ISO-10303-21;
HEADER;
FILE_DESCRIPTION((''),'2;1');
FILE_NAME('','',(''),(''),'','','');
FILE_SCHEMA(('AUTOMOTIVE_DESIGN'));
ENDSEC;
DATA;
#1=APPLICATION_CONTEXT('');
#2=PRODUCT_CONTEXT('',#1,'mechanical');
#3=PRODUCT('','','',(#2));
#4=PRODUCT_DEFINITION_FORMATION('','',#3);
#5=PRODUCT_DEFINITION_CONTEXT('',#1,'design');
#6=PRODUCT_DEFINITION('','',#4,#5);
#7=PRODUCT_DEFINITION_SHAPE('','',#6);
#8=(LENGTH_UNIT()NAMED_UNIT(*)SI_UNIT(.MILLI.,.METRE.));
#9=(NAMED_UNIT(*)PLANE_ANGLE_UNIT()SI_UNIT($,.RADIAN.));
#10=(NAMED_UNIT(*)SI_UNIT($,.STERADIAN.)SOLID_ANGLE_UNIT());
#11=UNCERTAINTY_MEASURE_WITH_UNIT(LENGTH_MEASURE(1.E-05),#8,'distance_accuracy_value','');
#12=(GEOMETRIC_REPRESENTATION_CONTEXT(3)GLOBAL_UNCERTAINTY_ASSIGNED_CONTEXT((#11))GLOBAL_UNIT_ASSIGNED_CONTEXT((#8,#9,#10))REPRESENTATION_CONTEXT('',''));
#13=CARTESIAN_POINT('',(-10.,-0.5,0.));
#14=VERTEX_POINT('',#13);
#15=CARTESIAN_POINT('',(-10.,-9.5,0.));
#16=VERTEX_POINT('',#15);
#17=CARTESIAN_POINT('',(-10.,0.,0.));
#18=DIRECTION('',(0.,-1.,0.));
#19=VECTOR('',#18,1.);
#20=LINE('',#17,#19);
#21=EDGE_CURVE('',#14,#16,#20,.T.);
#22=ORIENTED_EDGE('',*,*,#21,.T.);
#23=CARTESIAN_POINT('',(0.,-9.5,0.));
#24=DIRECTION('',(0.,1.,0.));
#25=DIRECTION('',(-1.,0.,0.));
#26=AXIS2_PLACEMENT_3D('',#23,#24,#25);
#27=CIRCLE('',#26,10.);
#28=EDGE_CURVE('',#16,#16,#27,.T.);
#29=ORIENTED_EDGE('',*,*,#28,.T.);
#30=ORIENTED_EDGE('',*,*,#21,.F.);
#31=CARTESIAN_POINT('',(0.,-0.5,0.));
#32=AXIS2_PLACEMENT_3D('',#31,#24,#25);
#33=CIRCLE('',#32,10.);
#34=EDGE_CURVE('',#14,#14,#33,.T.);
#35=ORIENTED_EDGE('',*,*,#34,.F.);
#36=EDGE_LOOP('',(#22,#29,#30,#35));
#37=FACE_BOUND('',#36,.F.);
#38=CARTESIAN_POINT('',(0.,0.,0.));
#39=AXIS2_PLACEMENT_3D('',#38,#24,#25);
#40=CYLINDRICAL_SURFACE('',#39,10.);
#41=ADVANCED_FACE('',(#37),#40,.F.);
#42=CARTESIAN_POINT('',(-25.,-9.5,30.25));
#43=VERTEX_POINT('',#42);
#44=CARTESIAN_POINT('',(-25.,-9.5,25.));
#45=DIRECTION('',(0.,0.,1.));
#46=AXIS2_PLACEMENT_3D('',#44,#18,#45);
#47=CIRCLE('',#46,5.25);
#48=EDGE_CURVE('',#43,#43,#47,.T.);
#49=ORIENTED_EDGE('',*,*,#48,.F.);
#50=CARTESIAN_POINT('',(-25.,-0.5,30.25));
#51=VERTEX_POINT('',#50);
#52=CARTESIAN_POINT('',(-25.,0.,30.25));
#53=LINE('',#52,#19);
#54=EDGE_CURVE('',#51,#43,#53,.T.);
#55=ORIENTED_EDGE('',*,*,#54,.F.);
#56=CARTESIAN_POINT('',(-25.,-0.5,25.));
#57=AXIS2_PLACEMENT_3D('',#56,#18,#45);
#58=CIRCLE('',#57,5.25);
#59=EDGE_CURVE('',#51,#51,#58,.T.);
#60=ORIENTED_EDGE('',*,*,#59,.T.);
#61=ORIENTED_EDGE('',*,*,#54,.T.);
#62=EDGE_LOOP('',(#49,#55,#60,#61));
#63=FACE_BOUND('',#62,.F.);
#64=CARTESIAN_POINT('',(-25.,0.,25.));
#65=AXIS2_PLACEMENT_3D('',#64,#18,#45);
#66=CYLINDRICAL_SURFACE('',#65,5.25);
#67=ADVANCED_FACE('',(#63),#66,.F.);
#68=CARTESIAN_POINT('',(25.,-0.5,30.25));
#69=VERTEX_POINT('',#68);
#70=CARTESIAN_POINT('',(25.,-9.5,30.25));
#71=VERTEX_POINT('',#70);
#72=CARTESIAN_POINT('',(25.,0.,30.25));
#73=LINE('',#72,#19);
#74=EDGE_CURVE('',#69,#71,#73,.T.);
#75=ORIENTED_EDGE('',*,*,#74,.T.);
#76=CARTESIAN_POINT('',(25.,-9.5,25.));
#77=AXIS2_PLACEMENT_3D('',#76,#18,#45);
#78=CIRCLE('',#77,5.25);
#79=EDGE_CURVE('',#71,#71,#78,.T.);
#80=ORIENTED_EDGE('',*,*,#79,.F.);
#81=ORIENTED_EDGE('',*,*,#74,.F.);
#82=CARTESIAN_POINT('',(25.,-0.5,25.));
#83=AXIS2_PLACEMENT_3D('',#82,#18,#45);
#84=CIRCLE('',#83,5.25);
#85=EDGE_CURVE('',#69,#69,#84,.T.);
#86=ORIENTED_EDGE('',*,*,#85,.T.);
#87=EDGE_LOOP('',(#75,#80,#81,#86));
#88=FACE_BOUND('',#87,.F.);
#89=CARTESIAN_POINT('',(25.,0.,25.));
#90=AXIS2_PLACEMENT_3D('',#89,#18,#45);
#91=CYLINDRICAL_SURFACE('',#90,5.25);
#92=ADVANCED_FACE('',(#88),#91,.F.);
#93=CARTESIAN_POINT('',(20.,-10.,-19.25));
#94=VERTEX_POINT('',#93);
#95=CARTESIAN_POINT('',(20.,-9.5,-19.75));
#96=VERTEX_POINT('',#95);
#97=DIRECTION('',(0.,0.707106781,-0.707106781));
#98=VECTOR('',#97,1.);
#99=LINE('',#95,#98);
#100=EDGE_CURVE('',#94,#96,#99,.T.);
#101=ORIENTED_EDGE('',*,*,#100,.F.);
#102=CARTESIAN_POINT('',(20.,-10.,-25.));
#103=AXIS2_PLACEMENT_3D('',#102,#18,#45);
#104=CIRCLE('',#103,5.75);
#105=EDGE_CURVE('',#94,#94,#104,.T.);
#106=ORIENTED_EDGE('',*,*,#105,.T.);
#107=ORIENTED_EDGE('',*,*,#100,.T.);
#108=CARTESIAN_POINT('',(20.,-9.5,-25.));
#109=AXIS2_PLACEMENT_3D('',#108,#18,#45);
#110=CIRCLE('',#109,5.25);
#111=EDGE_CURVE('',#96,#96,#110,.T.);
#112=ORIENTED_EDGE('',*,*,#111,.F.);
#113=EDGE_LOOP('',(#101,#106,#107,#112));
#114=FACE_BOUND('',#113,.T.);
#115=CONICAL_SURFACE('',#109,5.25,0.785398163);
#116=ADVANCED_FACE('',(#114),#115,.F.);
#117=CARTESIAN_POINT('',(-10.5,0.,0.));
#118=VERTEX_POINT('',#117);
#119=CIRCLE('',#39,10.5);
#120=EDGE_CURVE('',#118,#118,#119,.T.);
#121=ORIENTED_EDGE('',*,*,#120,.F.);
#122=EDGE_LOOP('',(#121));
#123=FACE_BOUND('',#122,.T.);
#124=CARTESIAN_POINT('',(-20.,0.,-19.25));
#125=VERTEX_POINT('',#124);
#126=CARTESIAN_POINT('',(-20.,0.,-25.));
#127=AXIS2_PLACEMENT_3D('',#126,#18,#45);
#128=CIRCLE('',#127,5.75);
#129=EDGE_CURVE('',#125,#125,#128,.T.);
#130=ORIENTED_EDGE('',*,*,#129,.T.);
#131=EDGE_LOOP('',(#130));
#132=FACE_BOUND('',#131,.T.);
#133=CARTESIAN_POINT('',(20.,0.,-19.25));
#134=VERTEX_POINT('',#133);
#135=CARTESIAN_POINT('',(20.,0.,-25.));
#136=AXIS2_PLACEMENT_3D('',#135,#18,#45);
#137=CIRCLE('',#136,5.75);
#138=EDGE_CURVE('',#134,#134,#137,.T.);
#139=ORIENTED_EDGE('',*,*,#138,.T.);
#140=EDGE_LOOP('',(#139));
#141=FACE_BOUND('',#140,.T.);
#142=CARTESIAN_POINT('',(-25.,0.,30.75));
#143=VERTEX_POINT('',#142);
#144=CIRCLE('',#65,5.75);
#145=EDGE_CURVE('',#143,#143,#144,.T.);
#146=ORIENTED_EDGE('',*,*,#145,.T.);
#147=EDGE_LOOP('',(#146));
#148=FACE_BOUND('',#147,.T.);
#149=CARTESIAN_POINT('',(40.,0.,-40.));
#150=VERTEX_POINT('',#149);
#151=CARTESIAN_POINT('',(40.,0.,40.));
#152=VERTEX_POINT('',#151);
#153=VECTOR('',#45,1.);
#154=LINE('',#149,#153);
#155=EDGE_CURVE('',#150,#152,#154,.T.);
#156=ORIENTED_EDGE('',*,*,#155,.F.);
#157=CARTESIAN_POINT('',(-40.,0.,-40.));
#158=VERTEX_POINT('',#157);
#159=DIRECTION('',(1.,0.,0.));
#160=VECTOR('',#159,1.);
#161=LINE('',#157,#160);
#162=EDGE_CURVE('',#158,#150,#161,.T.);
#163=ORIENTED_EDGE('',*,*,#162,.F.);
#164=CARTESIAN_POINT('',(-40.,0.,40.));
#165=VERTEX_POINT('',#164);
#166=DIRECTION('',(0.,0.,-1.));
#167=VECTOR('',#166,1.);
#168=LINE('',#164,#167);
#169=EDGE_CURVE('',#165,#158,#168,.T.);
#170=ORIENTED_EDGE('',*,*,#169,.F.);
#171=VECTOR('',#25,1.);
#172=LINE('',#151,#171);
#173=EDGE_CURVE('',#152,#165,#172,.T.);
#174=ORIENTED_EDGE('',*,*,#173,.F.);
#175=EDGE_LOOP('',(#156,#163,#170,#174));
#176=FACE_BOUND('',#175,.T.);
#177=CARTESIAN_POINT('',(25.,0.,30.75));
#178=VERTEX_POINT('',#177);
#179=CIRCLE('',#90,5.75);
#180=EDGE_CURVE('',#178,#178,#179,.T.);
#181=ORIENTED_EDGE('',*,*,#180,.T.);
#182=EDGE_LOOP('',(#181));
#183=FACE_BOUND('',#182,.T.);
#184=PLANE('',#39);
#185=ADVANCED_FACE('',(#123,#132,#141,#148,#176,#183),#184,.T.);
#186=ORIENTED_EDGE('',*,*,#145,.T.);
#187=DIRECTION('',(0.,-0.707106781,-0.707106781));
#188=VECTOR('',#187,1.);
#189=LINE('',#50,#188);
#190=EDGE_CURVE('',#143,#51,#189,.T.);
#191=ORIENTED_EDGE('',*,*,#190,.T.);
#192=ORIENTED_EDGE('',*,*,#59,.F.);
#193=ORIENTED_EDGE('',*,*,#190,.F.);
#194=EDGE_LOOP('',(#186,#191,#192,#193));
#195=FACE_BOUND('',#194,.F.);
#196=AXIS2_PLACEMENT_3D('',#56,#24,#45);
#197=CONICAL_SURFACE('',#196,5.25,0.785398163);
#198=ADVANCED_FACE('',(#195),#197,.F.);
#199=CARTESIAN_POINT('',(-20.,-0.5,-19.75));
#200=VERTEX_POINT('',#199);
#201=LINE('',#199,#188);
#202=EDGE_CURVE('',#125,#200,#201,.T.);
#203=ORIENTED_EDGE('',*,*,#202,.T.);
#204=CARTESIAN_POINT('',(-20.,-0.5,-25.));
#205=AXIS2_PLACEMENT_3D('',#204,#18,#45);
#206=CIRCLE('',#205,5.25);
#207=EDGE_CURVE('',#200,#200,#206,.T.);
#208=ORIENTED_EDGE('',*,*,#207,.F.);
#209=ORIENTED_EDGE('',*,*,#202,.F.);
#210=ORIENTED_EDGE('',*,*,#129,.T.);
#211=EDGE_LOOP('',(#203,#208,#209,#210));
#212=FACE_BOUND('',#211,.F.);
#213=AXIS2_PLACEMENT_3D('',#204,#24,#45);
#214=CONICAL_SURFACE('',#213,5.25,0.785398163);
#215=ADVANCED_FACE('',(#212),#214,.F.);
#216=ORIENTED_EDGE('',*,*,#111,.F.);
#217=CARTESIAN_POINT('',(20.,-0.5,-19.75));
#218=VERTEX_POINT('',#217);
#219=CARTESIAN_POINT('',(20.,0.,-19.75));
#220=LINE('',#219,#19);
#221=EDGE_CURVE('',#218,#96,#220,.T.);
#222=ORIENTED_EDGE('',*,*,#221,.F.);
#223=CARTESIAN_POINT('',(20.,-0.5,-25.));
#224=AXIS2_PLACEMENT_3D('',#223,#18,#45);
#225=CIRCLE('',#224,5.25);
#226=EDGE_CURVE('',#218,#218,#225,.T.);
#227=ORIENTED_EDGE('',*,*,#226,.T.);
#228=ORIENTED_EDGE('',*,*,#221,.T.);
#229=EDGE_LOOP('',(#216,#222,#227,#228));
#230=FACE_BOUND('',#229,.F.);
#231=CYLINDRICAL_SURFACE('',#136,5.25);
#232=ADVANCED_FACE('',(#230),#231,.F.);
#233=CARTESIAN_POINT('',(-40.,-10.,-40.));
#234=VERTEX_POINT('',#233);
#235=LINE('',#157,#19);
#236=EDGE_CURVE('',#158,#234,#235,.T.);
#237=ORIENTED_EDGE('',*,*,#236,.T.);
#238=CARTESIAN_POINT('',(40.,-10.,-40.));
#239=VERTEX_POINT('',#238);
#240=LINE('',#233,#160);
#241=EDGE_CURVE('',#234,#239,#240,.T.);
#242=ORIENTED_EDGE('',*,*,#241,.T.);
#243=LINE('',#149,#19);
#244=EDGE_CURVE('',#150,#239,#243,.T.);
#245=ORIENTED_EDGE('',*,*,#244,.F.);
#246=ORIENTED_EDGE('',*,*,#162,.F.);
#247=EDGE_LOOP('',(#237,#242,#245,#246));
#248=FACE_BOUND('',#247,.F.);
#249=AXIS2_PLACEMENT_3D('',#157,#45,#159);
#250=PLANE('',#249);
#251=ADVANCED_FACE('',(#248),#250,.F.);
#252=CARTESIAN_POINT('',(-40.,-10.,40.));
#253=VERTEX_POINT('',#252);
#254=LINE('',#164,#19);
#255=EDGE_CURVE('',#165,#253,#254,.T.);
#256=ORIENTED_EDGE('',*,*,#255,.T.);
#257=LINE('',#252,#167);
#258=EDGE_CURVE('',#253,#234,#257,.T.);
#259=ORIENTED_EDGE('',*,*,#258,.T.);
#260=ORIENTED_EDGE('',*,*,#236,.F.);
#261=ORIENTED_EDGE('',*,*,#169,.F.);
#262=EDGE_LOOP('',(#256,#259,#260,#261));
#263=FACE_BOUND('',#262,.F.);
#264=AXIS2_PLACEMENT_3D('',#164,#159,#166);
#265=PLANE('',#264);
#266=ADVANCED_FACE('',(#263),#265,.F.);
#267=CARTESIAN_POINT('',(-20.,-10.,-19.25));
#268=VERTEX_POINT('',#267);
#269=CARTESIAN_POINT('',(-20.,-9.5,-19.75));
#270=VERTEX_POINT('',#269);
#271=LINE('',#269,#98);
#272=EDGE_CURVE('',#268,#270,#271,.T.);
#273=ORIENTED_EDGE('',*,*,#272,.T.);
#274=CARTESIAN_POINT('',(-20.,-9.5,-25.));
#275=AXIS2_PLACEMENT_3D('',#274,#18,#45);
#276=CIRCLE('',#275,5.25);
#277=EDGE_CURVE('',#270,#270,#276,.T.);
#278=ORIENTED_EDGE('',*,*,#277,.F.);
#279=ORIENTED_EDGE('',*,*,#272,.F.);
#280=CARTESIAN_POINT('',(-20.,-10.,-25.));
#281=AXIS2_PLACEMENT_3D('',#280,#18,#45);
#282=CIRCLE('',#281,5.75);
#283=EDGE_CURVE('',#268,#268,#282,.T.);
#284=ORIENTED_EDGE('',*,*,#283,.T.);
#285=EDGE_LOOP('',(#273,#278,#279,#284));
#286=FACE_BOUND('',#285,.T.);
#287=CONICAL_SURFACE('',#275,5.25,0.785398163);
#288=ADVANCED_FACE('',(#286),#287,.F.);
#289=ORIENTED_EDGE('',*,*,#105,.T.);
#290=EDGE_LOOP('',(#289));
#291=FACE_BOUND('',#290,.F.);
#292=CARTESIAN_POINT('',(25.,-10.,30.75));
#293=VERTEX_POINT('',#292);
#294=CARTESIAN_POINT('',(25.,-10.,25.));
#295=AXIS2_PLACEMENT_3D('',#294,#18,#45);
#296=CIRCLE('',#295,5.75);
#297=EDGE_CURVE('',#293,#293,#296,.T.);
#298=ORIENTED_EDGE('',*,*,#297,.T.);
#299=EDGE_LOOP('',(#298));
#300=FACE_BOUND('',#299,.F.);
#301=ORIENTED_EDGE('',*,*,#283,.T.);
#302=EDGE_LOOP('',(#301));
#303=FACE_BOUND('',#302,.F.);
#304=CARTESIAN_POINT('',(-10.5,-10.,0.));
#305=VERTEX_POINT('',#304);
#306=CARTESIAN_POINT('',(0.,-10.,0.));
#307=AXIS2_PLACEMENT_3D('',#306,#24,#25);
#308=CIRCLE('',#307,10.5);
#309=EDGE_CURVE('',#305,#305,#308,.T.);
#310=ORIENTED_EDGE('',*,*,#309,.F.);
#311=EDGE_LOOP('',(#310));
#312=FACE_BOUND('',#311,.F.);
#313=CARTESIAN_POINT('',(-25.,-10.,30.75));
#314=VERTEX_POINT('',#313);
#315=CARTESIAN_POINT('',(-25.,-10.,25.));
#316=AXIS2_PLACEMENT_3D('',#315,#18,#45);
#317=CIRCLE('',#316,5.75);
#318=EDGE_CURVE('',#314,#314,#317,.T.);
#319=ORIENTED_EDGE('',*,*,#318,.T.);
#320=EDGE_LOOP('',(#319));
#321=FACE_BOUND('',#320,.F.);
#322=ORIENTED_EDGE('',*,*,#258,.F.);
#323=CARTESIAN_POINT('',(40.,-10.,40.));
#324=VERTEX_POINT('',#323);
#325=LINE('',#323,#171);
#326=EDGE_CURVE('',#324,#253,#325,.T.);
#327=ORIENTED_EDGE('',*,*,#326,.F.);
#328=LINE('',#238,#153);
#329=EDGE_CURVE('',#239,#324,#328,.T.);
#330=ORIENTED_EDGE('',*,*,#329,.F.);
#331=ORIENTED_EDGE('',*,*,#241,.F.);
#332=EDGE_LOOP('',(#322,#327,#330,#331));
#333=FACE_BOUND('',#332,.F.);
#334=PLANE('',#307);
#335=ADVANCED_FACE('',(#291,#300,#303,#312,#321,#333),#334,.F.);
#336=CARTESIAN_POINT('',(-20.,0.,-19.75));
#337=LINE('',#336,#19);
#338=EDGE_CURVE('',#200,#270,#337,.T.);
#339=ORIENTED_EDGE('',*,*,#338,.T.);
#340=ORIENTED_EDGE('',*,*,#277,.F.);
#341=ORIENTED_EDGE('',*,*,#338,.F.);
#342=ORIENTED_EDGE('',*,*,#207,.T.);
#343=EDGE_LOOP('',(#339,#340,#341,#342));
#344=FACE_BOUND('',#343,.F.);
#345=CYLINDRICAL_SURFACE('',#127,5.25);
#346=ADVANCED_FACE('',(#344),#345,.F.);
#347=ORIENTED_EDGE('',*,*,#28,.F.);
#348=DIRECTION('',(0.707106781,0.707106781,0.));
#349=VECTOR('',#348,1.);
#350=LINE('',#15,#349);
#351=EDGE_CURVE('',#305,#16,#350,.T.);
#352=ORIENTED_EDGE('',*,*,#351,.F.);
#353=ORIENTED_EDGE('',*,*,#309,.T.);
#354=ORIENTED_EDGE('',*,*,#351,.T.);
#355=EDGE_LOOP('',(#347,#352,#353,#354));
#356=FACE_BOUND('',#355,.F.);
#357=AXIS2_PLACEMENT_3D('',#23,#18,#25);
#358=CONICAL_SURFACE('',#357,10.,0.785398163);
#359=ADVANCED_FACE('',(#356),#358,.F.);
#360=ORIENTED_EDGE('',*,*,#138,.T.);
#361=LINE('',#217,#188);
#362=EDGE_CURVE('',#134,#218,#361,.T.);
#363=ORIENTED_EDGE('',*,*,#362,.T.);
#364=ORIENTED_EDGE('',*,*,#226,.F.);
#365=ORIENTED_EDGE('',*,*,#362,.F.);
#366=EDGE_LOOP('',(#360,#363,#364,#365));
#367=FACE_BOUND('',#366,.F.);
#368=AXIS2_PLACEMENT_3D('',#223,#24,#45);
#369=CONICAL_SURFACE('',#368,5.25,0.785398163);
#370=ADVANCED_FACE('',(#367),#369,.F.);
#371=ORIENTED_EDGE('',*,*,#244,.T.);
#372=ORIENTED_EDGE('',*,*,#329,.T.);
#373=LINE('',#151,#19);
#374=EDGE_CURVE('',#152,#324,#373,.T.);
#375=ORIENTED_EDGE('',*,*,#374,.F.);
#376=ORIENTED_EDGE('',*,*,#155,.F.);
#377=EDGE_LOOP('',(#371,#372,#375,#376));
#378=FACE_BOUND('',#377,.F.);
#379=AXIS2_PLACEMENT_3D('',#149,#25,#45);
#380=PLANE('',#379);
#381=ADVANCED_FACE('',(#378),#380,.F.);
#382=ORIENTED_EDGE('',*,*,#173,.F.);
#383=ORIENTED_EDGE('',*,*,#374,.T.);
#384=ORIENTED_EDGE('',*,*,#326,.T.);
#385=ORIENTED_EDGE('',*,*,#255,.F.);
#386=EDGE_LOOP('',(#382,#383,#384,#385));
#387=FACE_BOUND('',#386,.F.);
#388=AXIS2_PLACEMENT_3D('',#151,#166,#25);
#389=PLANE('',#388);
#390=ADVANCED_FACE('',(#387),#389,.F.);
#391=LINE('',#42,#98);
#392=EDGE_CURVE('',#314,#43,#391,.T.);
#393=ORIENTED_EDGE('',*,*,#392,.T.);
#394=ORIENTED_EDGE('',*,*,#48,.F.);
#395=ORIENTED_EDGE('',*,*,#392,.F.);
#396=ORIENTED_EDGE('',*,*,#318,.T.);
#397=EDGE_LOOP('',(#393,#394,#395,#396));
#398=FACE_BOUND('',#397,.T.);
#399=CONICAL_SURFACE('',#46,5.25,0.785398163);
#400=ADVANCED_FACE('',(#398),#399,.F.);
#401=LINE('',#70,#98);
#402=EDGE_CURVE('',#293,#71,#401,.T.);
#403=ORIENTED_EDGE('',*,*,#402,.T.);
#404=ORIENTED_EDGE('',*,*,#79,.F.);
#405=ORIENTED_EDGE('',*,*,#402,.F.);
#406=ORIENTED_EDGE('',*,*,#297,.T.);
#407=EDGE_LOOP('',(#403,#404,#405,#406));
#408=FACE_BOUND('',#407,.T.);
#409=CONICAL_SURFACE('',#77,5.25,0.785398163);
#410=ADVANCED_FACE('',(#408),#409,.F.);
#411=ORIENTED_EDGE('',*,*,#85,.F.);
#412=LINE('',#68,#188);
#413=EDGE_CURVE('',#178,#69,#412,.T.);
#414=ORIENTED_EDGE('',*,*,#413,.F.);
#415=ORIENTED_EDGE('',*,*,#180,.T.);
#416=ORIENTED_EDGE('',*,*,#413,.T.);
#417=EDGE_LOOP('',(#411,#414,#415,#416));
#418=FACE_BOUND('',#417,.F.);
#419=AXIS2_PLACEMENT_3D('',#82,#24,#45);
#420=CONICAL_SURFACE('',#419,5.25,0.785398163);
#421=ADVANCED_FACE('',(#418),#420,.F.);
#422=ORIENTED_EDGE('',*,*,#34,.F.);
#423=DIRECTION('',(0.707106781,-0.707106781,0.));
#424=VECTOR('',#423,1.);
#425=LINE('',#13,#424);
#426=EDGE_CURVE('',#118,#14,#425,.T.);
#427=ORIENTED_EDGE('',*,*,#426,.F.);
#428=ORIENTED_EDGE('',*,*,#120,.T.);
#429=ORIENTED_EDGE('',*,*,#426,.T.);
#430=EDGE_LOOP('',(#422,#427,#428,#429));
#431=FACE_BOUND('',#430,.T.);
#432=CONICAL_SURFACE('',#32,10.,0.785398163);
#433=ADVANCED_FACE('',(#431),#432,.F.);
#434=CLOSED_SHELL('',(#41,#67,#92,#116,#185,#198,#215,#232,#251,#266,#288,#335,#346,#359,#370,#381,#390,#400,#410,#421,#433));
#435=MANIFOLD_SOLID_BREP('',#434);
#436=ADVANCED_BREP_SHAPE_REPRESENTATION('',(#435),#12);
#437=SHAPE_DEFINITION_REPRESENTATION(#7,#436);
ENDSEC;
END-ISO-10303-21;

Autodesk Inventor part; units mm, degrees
ref_plane "YZ Plane" through (0, 0, 0) normal (1, 0, 0) x (0, 1, 0)
ref_plane "XZ Plane" through (0, 0, 0) normal (0, 1, 0) x (-1, 0, 0)
ref_plane "XY Plane" through (0, 0, 0) normal (0, 0, 1) x (1, 0, 0)
sketch "Sketch1" plane through (0, 0, 0) normal (0, 1, 0) x (-1, 0, 0)
  line L0 (-40, 40) -> (40, 40)
  line L1 (40, 40) -> (40, -40)
  line L2 (40, -40) -> (-40, -40)
  line L3 (-40, -40) -> (-40, 40)
  line L4 (-40, 40) -> (40, -40) construction
  line L5 (40, 40) -> (-40, -40) construction
  line L6 (-25, 25) -> (25, 25) construction
  line L7 (25, 25) -> (25, -25) construction
  line L8 (25, -25) -> (-25, -25) construction
  line L9 (-25, -25) -> (-25, 25) construction
  line L10 (-25, 25) -> (25, -25) construction
  line L11 (25, 25) -> (-25, -25) construction
  line L12 (-20, 25) -> (20, 25) construction
  line L13 (20, 25) -> (20, -25) construction
  line L14 (20, -25) -> (-20, -25) construction
  line L15 (-20, -25) -> (-20, 25) construction
  line L16 (-20, 25) -> (20, -25) construction
  line L17 (20, 25) -> (-20, -25) construction
  circle A0 centre (0, 0) radius 10
  dimension "d0" = 80
  dimension "d1" = 50
  dimension "d2" = 40
  dimension "d3" = 20
extrude "Extrusion1" add sketch "Sketch1" against normal blind 10
hole "Hole1" at (-20, 0, -25) at (20, 0, -25) at (-25, 0, 25) at (25, 0, 25) direction (0, -1, 0) diameter 10.5 end through all
chamfer "Chamfer1" distance 0.5 angle 45 10 edges at (20, 0, -30.25) (-20, 0, -30.25) (25, 0, 19.75) (-25, 0, 19.75) (20, -10, -30.25) (-20, -10, -30.25) (25, -10, 19.75) (-25, -10, 19.75) (10, 0, 0) (10, -10, 0)
properties part number "AP1-002"
